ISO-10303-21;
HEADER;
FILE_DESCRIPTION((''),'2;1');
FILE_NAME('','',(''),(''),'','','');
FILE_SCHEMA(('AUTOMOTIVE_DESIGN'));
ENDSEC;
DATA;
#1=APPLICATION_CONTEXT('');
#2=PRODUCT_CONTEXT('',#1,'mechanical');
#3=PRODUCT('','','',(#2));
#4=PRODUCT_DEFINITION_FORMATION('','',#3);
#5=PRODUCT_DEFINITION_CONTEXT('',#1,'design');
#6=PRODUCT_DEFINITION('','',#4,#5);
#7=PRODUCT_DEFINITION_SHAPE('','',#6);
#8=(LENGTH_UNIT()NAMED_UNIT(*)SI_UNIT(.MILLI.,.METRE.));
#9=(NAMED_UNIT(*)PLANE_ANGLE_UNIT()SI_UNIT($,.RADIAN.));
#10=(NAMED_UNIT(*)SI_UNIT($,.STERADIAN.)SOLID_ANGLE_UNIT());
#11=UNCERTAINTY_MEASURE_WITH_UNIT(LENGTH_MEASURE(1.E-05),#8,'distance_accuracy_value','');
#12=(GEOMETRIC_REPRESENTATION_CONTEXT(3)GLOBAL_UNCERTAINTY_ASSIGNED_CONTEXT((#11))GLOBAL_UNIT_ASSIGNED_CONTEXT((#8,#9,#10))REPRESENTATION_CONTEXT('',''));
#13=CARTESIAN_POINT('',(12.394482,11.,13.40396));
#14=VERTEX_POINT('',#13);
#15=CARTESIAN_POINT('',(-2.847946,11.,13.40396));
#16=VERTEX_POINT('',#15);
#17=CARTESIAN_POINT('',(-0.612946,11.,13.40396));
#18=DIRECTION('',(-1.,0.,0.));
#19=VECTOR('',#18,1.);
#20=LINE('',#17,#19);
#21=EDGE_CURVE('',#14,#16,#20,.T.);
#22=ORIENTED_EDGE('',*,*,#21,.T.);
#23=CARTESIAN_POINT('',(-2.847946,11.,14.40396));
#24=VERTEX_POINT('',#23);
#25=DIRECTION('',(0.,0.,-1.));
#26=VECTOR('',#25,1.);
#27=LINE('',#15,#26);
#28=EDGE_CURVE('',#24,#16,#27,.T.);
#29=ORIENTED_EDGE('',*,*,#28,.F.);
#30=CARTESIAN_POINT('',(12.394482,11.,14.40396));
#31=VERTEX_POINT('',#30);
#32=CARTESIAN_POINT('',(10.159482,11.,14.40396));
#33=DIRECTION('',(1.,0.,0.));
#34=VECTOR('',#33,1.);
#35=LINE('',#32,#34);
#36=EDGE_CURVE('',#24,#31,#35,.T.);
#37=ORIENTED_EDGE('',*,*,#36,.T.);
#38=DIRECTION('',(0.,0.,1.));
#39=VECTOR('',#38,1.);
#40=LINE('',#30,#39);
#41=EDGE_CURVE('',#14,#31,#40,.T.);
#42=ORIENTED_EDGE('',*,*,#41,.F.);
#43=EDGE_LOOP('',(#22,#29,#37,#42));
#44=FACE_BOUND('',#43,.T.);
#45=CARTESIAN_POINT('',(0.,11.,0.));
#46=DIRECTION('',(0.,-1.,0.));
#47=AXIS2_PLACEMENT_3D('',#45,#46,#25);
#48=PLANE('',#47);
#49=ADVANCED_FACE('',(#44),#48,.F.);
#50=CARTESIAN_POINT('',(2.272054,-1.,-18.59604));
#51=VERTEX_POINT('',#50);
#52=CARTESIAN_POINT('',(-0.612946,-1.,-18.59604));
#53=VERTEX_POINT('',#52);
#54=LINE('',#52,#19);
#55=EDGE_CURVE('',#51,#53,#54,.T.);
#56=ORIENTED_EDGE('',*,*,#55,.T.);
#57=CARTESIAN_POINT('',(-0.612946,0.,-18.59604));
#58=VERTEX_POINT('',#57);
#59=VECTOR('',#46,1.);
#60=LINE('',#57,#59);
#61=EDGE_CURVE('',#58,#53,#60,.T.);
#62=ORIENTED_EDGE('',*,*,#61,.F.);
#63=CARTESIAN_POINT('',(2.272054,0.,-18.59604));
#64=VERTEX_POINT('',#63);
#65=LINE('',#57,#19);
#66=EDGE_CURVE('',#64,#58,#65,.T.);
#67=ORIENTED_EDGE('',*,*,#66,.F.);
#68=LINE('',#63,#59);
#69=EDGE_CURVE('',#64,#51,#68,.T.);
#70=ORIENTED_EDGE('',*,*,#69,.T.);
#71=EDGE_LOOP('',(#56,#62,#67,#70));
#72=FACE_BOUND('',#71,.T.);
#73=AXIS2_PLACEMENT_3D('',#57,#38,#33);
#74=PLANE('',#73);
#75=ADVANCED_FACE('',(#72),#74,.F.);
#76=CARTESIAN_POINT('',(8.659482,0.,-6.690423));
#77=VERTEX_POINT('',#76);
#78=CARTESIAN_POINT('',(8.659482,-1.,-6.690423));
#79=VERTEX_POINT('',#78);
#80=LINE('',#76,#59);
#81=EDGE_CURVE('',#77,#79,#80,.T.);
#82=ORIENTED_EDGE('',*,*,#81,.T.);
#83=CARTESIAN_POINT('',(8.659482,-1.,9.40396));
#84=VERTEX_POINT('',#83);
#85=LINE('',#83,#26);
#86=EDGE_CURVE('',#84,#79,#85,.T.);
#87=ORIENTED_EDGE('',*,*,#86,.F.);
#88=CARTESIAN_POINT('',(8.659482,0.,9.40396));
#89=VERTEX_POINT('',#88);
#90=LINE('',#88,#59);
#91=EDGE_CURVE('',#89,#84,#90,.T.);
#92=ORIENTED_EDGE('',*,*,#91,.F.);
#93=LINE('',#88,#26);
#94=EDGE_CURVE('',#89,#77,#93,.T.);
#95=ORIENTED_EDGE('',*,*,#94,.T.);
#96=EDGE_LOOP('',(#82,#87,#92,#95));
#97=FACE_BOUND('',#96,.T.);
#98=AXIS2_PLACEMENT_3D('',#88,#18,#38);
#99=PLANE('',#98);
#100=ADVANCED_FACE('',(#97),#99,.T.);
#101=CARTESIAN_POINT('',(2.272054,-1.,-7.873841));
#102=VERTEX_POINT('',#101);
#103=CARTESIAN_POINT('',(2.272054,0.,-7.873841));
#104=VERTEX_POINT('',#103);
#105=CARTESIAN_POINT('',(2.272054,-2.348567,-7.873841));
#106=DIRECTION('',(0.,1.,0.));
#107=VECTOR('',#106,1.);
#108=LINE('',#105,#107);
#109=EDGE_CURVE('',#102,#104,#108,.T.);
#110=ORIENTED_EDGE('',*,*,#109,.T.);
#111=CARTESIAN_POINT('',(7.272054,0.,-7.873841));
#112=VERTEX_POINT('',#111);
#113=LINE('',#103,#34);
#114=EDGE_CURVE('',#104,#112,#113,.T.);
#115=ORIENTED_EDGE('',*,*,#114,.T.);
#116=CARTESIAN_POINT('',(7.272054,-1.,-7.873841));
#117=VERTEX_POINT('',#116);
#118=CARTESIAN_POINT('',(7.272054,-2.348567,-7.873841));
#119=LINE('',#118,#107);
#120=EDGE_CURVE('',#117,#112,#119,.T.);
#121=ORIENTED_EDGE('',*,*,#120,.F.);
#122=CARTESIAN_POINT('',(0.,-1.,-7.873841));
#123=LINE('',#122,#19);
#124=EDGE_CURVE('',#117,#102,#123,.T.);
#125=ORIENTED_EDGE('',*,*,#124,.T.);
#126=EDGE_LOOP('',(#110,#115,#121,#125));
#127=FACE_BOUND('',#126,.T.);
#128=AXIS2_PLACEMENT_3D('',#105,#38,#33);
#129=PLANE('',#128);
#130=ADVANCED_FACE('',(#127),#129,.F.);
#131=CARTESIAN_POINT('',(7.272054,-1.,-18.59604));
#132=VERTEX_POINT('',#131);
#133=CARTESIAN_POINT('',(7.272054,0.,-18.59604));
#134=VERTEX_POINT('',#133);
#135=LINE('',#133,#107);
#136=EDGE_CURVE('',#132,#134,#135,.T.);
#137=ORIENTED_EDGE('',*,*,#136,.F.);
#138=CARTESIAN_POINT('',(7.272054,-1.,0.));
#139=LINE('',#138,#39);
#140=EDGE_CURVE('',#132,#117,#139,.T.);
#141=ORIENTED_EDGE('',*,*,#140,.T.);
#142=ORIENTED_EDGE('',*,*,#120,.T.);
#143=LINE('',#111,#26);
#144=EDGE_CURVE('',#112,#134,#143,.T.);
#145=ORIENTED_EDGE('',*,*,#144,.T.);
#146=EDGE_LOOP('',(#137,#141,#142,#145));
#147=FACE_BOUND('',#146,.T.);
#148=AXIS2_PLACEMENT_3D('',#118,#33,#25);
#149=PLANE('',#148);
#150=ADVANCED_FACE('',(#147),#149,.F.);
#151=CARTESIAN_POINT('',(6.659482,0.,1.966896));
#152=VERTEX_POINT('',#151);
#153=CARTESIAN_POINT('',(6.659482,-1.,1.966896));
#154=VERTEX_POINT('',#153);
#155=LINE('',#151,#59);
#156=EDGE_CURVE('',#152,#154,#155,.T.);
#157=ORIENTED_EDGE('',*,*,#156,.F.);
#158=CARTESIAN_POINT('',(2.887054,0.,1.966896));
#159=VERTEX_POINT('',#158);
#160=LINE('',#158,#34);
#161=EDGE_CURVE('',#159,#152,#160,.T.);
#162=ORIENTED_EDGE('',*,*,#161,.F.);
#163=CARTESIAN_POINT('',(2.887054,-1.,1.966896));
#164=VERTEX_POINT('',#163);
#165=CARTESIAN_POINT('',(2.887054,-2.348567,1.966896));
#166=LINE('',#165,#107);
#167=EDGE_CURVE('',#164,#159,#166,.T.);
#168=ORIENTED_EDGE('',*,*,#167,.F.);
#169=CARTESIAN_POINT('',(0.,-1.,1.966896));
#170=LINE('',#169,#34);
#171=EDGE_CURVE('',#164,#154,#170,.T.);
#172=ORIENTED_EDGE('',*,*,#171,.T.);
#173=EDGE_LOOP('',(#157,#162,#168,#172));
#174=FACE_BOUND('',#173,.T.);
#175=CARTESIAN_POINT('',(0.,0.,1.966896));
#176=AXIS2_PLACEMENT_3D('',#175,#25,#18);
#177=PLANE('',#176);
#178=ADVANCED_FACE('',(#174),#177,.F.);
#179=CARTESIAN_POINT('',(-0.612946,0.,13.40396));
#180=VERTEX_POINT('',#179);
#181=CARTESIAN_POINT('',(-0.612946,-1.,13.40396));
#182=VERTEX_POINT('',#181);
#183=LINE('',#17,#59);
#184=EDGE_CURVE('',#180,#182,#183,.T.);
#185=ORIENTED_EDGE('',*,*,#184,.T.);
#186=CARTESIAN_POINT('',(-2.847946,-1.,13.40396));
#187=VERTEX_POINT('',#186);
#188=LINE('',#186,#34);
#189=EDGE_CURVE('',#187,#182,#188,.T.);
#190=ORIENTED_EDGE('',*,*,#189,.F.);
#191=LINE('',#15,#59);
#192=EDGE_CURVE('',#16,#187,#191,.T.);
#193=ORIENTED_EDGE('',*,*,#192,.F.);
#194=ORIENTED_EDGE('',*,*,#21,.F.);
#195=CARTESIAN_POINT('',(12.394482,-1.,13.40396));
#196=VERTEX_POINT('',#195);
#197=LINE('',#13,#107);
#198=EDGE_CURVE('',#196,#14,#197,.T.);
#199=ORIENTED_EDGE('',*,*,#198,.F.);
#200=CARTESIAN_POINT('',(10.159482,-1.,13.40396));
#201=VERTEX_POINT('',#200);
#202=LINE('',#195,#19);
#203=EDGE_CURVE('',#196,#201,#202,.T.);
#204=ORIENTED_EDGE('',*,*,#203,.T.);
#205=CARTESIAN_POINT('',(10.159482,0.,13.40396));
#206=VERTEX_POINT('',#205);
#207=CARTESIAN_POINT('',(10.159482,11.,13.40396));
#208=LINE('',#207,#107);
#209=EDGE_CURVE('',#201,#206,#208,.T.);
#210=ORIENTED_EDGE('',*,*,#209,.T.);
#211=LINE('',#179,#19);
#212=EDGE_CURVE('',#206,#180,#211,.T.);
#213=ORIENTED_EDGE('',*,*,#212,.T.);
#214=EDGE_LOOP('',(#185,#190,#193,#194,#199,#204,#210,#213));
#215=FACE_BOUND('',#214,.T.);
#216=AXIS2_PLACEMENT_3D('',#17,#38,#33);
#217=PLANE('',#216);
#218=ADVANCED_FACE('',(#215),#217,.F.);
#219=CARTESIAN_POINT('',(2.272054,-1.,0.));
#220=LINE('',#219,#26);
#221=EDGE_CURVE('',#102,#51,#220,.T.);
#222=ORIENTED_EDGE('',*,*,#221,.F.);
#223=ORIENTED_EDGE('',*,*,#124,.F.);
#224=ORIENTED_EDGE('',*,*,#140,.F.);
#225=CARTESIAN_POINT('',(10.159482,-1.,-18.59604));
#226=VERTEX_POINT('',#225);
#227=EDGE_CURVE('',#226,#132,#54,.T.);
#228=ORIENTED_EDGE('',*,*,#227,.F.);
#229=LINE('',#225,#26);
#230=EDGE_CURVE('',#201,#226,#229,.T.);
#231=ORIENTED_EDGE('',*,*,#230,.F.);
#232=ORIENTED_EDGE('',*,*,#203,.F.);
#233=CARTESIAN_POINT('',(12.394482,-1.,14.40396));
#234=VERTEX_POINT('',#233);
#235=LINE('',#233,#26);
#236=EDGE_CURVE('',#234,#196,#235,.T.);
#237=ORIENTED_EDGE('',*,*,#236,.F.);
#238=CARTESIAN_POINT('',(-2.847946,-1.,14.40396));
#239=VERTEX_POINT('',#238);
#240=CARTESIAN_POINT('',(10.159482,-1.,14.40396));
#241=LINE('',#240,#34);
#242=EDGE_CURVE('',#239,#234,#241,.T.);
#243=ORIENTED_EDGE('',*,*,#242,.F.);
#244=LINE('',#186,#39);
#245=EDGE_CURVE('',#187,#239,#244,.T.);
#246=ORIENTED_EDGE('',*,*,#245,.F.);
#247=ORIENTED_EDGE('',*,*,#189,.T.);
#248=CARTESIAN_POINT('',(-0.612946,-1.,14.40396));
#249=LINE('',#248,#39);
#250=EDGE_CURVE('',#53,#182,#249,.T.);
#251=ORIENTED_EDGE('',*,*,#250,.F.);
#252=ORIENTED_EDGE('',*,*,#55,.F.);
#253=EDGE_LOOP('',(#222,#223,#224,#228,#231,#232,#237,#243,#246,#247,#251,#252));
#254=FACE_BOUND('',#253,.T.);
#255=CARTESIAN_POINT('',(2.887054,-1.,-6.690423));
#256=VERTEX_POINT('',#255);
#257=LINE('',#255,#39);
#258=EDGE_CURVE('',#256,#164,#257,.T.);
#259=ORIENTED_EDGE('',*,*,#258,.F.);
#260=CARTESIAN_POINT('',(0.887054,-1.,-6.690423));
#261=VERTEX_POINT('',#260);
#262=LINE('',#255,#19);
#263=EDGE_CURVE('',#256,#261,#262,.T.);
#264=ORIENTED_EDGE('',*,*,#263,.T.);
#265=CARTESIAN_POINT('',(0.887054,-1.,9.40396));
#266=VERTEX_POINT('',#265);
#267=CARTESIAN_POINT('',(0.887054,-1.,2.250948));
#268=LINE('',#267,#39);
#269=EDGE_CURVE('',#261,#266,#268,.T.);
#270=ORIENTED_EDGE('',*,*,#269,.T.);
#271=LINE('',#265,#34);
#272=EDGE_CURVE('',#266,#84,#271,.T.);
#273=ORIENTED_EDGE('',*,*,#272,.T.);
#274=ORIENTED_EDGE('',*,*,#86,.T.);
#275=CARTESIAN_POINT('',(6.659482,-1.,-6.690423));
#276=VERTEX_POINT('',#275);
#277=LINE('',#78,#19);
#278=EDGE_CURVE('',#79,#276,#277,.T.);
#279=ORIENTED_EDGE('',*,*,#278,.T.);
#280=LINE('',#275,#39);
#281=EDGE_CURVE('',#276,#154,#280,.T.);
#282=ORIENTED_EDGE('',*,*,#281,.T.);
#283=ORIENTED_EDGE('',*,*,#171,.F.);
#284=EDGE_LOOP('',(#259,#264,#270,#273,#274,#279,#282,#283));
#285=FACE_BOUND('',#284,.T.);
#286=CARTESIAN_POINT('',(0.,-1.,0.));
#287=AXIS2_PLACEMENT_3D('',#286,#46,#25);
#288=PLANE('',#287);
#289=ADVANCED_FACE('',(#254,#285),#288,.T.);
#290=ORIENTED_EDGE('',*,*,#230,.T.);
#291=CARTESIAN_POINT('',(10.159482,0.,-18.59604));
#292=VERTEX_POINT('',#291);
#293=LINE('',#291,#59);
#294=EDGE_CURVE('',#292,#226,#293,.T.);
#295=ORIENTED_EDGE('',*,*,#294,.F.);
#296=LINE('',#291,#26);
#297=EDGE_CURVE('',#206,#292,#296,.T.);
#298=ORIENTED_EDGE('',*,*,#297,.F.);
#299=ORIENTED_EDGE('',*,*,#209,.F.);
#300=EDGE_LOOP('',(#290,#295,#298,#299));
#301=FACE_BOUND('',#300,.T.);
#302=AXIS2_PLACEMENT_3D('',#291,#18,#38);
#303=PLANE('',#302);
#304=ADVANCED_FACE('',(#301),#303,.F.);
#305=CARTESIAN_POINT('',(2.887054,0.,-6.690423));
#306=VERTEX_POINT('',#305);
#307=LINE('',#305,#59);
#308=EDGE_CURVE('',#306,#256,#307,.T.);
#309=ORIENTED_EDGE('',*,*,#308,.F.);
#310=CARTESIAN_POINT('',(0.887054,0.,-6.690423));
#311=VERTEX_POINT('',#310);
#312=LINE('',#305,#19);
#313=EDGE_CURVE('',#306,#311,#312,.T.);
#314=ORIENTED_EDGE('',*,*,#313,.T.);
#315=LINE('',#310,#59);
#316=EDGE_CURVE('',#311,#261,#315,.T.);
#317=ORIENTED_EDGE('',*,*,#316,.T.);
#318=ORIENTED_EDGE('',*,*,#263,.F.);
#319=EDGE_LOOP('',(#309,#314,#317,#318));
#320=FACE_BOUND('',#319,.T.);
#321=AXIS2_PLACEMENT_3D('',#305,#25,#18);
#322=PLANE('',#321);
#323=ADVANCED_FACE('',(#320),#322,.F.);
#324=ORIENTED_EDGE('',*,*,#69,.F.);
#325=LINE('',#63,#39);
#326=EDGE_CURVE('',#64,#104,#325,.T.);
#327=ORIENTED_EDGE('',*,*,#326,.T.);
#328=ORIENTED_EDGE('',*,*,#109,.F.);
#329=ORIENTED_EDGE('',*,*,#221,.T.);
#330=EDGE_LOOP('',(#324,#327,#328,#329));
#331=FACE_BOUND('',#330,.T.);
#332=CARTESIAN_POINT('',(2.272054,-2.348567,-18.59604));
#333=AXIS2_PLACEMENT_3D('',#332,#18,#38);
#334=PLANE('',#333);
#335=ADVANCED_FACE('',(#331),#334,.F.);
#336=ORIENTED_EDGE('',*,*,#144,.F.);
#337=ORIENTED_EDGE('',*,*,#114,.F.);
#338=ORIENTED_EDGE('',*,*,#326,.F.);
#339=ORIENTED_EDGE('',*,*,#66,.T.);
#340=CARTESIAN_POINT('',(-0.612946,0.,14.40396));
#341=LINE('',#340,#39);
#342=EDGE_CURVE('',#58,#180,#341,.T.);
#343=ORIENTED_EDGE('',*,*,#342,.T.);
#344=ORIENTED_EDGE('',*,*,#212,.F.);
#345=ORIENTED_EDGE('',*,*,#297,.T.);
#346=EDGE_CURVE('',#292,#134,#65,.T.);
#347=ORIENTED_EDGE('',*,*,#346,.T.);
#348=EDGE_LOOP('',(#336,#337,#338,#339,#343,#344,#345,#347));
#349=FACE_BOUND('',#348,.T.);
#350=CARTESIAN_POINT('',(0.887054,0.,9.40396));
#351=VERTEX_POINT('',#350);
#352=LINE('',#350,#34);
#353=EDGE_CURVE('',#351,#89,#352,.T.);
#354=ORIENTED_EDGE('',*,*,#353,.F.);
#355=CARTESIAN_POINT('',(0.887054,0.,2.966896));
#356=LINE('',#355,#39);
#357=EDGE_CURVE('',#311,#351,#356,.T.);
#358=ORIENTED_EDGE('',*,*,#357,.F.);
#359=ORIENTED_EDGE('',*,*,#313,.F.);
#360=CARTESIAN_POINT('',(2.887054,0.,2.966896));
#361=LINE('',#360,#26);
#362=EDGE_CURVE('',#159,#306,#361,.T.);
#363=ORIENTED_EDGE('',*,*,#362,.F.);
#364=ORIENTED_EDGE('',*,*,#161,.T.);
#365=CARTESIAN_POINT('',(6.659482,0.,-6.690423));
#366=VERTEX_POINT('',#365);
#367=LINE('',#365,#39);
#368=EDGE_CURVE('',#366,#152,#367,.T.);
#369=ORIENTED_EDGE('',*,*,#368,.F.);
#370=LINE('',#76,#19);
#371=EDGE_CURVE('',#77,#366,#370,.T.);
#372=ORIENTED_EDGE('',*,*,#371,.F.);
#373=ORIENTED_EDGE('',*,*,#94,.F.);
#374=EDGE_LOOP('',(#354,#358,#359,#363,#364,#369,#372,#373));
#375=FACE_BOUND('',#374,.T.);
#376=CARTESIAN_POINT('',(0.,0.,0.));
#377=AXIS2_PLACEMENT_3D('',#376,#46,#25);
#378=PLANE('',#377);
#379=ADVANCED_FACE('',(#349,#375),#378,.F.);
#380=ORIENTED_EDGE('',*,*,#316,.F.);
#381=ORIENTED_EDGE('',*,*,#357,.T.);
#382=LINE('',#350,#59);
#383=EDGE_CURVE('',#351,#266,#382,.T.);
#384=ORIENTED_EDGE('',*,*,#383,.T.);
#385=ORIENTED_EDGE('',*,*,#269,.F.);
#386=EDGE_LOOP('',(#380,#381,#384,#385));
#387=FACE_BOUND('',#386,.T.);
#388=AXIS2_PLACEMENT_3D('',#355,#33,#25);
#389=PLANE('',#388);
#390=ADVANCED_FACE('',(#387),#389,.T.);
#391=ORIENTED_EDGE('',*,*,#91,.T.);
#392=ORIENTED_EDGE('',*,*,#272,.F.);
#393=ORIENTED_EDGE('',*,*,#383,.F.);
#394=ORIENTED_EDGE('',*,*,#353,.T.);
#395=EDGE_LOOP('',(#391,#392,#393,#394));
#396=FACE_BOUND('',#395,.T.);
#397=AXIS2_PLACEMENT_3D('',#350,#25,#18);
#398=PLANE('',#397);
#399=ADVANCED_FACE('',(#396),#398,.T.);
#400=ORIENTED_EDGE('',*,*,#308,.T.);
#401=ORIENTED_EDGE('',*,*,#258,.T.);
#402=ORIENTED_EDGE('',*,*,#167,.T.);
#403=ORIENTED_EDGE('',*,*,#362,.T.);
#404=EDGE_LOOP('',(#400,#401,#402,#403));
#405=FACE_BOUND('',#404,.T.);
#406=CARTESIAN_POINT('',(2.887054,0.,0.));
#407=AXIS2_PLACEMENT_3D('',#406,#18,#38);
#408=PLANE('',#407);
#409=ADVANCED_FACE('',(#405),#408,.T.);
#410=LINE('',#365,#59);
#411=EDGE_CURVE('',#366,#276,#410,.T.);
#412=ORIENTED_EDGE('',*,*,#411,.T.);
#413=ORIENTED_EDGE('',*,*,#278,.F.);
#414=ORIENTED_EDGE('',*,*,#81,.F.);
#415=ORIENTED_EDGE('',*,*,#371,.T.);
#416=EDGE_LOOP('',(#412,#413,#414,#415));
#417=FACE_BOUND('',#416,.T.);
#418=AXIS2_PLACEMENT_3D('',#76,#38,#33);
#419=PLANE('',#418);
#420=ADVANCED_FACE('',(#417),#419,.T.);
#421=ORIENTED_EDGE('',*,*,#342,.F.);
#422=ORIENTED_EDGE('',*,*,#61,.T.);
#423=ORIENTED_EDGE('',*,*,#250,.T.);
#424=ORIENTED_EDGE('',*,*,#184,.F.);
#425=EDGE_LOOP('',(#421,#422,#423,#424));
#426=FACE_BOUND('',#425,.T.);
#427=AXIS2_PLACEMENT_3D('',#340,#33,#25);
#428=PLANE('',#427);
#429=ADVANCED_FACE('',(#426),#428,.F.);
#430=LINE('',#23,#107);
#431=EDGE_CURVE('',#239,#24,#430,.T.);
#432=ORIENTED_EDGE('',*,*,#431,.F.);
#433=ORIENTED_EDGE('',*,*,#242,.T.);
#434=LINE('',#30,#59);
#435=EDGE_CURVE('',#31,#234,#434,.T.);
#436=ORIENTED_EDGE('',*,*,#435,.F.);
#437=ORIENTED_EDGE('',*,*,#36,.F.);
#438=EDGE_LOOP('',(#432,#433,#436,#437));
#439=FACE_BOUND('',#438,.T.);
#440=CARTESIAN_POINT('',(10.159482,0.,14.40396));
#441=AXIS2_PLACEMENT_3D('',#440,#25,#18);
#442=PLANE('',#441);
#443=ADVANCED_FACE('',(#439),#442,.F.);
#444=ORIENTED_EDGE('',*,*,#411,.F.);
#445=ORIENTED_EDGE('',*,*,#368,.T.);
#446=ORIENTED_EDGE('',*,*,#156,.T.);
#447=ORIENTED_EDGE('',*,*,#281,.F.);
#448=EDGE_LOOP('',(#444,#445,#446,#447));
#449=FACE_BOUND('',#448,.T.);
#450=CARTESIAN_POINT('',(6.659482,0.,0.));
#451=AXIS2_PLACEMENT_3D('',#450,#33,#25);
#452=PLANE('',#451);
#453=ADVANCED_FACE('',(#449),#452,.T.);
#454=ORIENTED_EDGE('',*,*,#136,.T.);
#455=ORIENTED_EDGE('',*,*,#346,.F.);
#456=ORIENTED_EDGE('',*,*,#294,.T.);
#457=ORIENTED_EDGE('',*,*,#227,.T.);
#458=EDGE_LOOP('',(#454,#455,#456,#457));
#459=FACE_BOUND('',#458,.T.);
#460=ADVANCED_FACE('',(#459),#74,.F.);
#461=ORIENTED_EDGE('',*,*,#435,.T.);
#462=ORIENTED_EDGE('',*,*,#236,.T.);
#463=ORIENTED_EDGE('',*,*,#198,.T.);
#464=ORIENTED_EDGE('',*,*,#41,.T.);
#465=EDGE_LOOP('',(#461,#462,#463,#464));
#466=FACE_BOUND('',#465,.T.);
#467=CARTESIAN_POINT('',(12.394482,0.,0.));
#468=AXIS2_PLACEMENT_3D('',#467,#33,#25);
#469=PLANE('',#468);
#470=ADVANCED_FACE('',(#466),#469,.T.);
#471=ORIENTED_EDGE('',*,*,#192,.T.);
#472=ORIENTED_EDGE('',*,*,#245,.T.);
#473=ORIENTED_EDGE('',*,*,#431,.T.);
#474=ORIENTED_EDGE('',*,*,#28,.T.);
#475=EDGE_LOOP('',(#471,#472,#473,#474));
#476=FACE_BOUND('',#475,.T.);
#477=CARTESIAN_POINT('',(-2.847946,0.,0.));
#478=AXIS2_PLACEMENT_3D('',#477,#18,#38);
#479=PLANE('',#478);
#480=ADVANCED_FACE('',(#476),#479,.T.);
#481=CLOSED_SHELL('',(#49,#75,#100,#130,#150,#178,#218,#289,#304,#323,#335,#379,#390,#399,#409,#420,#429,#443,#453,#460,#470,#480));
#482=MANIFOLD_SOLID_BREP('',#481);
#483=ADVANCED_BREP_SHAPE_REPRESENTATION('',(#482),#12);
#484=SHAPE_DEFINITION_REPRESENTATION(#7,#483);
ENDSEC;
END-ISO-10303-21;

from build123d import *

# Parameters (mm, degrees)
BOSS_EXTRUDE1_DEPTH = 5.772427301
SKETCH2_W           = 10.772427301
SKETCH2_H           = 33
BOSS_EXTRUDE2_DEPTH = 1
CUT_EXTRUDE1_DEPTH  = 2
SKETCH16_W          = 10.772427301
SKETCH16_H          = 1
BOSS_EXTRUDE4_DEPTH = 11
CUT_EXTRUDE2_REACH  = 24.797
SKETCH26_W          = 5
SKETCH26_H          = 10.722198916
CUT_EXTRUDE3_DEPTH  = 24.875254024
SKETCH13_W          = 3.772427301
SKETCH13_H          = 2.348567359
CUT_EXTRUDE4_DEPTH  = 1
SKETCH27_W          = 1
SKETCH27_H          = 12
BOSS_EXTRUDE5_DEPTH = 2.235
SKETCH28_W          = 1
SKETCH28_H          = 12
BOSS_EXTRUDE6_DEPTH = 2.235


with BuildPart() as part:
    # Sketch1 → Boss-Extrude1 (new body)
    with BuildSketch(Plane(origin=(6.659481674, 0, 0), x_dir=(0, 0, -1), z_dir=(1, 0, 0))):
        Polygon((-2.250948222, -1), (-2.966896165, -1), (-2.966896165, -2.348567359), align=None)
    extrude(amount=-BOSS_EXTRUDE1_DEPTH)

    # Sketch2 → Boss-Extrude2 (add)
    with BuildSketch(Plane(origin=(0, -1, 0), x_dir=(-1, 0, 0), z_dir=(0, 1, 0))):
        with Locations((-4.773268024, -2.096039546)):
            Rectangle(SKETCH2_W, SKETCH2_H)
        Polygon((-0.887054373, 2.966896165), (-0.887054373, 9.403960454), (-8.659481674, 9.403960454), (-8.659481674, -6.69042347), (-6.659481674, -6.69042347), (-6.659481674, 2.966896165), align=None, mode=Mode.SUBTRACT)
    extrude(amount=BOSS_EXTRUDE2_DEPTH)

    # Sketch7 → Cut-Extrude1 (cut)
    with BuildSketch(Plane.ZY.offset(-0.887054373)):
        Polygon((2.250948222, -1), (2.966896165, -2.348567359), (2.966896165, 0), (-6.69042347, 0), (-6.69042347, -1), align=None)
    extrude(amount=-CUT_EXTRUDE1_DEPTH, mode=Mode.SUBTRACT)

    # Sketch16 → Boss-Extrude4 (add)
    with BuildSketch(Plane(origin=(0, 0, 0), x_dir=(1, 0, 0), z_dir=(0, 1, 0))):
        with Locations((4.773268024, -13.903960454)):
            Rectangle(SKETCH16_W, SKETCH16_H)
    extrude(amount=BOSS_EXTRUDE4_DEPTH)

    # Sketch23 → Cut-Extrude2 (cut, up to next)
    with BuildSketch(Plane.ZY.offset(-2.887054373), mode=Mode.PRIVATE) as cut_extrude2_sk1:
        Polygon((2.250948222, 0), (2.250948222, -0.125928185), (3.122325521, -1.835650648), (3.712956794, -1.835650648), (3.712956794, 0), align=None)
    cut_extrude2_tool1 = extrude(cut_extrude2_sk1.sketch, amount=-CUT_EXTRUDE2_REACH, mode=Mode.PRIVATE) & part.part
    add(cut_extrude2_tool1.solids().sort_by_distance((2.887054, -0.784154, 3.151212))[0], mode=Mode.SUBTRACT)

    # Sketch26 → Cut-Extrude3 (cut, through all)
    with BuildSketch(Plane(origin=(0, 0, 0), x_dir=(1, 0, 0), z_dir=(0, 1, 0))):
        with Locations((4.772054373, 13.234940088)):
            Rectangle(SKETCH26_W, SKETCH26_H)
    extrude(amount=-CUT_EXTRUDE3_DEPTH, mode=Mode.SUBTRACT)

    # Sketch13 → Cut-Extrude4 (cut)
    with BuildSketch(Plane.XY.offset(2.966896165)):
        with Locations((4.773268024, -1.17428368)):
            Rectangle(SKETCH13_W, SKETCH13_H)
    extrude(amount=-CUT_EXTRUDE4_DEPTH, mode=Mode.SUBTRACT)

    # Sketch27 → Boss-Extrude5 (add)
    with BuildSketch(Plane.ZY.offset(0.612945627)):
        with Locations((13.903960454, 5)):
            Rectangle(SKETCH27_W, SKETCH27_H)
    extrude(amount=BOSS_EXTRUDE5_DEPTH)

    # Sketch28 → Boss-Extrude6 (add)
    with BuildSketch(Plane(origin=(10.159481674, 0, 0), x_dir=(0, 0, -1), z_dir=(1, 0, 0))):
        with Locations((-13.903960454, 5)):
            Rectangle(SKETCH28_W, SKETCH28_H)
    extrude(amount=BOSS_EXTRUDE6_DEPTH)


solid = part.part
